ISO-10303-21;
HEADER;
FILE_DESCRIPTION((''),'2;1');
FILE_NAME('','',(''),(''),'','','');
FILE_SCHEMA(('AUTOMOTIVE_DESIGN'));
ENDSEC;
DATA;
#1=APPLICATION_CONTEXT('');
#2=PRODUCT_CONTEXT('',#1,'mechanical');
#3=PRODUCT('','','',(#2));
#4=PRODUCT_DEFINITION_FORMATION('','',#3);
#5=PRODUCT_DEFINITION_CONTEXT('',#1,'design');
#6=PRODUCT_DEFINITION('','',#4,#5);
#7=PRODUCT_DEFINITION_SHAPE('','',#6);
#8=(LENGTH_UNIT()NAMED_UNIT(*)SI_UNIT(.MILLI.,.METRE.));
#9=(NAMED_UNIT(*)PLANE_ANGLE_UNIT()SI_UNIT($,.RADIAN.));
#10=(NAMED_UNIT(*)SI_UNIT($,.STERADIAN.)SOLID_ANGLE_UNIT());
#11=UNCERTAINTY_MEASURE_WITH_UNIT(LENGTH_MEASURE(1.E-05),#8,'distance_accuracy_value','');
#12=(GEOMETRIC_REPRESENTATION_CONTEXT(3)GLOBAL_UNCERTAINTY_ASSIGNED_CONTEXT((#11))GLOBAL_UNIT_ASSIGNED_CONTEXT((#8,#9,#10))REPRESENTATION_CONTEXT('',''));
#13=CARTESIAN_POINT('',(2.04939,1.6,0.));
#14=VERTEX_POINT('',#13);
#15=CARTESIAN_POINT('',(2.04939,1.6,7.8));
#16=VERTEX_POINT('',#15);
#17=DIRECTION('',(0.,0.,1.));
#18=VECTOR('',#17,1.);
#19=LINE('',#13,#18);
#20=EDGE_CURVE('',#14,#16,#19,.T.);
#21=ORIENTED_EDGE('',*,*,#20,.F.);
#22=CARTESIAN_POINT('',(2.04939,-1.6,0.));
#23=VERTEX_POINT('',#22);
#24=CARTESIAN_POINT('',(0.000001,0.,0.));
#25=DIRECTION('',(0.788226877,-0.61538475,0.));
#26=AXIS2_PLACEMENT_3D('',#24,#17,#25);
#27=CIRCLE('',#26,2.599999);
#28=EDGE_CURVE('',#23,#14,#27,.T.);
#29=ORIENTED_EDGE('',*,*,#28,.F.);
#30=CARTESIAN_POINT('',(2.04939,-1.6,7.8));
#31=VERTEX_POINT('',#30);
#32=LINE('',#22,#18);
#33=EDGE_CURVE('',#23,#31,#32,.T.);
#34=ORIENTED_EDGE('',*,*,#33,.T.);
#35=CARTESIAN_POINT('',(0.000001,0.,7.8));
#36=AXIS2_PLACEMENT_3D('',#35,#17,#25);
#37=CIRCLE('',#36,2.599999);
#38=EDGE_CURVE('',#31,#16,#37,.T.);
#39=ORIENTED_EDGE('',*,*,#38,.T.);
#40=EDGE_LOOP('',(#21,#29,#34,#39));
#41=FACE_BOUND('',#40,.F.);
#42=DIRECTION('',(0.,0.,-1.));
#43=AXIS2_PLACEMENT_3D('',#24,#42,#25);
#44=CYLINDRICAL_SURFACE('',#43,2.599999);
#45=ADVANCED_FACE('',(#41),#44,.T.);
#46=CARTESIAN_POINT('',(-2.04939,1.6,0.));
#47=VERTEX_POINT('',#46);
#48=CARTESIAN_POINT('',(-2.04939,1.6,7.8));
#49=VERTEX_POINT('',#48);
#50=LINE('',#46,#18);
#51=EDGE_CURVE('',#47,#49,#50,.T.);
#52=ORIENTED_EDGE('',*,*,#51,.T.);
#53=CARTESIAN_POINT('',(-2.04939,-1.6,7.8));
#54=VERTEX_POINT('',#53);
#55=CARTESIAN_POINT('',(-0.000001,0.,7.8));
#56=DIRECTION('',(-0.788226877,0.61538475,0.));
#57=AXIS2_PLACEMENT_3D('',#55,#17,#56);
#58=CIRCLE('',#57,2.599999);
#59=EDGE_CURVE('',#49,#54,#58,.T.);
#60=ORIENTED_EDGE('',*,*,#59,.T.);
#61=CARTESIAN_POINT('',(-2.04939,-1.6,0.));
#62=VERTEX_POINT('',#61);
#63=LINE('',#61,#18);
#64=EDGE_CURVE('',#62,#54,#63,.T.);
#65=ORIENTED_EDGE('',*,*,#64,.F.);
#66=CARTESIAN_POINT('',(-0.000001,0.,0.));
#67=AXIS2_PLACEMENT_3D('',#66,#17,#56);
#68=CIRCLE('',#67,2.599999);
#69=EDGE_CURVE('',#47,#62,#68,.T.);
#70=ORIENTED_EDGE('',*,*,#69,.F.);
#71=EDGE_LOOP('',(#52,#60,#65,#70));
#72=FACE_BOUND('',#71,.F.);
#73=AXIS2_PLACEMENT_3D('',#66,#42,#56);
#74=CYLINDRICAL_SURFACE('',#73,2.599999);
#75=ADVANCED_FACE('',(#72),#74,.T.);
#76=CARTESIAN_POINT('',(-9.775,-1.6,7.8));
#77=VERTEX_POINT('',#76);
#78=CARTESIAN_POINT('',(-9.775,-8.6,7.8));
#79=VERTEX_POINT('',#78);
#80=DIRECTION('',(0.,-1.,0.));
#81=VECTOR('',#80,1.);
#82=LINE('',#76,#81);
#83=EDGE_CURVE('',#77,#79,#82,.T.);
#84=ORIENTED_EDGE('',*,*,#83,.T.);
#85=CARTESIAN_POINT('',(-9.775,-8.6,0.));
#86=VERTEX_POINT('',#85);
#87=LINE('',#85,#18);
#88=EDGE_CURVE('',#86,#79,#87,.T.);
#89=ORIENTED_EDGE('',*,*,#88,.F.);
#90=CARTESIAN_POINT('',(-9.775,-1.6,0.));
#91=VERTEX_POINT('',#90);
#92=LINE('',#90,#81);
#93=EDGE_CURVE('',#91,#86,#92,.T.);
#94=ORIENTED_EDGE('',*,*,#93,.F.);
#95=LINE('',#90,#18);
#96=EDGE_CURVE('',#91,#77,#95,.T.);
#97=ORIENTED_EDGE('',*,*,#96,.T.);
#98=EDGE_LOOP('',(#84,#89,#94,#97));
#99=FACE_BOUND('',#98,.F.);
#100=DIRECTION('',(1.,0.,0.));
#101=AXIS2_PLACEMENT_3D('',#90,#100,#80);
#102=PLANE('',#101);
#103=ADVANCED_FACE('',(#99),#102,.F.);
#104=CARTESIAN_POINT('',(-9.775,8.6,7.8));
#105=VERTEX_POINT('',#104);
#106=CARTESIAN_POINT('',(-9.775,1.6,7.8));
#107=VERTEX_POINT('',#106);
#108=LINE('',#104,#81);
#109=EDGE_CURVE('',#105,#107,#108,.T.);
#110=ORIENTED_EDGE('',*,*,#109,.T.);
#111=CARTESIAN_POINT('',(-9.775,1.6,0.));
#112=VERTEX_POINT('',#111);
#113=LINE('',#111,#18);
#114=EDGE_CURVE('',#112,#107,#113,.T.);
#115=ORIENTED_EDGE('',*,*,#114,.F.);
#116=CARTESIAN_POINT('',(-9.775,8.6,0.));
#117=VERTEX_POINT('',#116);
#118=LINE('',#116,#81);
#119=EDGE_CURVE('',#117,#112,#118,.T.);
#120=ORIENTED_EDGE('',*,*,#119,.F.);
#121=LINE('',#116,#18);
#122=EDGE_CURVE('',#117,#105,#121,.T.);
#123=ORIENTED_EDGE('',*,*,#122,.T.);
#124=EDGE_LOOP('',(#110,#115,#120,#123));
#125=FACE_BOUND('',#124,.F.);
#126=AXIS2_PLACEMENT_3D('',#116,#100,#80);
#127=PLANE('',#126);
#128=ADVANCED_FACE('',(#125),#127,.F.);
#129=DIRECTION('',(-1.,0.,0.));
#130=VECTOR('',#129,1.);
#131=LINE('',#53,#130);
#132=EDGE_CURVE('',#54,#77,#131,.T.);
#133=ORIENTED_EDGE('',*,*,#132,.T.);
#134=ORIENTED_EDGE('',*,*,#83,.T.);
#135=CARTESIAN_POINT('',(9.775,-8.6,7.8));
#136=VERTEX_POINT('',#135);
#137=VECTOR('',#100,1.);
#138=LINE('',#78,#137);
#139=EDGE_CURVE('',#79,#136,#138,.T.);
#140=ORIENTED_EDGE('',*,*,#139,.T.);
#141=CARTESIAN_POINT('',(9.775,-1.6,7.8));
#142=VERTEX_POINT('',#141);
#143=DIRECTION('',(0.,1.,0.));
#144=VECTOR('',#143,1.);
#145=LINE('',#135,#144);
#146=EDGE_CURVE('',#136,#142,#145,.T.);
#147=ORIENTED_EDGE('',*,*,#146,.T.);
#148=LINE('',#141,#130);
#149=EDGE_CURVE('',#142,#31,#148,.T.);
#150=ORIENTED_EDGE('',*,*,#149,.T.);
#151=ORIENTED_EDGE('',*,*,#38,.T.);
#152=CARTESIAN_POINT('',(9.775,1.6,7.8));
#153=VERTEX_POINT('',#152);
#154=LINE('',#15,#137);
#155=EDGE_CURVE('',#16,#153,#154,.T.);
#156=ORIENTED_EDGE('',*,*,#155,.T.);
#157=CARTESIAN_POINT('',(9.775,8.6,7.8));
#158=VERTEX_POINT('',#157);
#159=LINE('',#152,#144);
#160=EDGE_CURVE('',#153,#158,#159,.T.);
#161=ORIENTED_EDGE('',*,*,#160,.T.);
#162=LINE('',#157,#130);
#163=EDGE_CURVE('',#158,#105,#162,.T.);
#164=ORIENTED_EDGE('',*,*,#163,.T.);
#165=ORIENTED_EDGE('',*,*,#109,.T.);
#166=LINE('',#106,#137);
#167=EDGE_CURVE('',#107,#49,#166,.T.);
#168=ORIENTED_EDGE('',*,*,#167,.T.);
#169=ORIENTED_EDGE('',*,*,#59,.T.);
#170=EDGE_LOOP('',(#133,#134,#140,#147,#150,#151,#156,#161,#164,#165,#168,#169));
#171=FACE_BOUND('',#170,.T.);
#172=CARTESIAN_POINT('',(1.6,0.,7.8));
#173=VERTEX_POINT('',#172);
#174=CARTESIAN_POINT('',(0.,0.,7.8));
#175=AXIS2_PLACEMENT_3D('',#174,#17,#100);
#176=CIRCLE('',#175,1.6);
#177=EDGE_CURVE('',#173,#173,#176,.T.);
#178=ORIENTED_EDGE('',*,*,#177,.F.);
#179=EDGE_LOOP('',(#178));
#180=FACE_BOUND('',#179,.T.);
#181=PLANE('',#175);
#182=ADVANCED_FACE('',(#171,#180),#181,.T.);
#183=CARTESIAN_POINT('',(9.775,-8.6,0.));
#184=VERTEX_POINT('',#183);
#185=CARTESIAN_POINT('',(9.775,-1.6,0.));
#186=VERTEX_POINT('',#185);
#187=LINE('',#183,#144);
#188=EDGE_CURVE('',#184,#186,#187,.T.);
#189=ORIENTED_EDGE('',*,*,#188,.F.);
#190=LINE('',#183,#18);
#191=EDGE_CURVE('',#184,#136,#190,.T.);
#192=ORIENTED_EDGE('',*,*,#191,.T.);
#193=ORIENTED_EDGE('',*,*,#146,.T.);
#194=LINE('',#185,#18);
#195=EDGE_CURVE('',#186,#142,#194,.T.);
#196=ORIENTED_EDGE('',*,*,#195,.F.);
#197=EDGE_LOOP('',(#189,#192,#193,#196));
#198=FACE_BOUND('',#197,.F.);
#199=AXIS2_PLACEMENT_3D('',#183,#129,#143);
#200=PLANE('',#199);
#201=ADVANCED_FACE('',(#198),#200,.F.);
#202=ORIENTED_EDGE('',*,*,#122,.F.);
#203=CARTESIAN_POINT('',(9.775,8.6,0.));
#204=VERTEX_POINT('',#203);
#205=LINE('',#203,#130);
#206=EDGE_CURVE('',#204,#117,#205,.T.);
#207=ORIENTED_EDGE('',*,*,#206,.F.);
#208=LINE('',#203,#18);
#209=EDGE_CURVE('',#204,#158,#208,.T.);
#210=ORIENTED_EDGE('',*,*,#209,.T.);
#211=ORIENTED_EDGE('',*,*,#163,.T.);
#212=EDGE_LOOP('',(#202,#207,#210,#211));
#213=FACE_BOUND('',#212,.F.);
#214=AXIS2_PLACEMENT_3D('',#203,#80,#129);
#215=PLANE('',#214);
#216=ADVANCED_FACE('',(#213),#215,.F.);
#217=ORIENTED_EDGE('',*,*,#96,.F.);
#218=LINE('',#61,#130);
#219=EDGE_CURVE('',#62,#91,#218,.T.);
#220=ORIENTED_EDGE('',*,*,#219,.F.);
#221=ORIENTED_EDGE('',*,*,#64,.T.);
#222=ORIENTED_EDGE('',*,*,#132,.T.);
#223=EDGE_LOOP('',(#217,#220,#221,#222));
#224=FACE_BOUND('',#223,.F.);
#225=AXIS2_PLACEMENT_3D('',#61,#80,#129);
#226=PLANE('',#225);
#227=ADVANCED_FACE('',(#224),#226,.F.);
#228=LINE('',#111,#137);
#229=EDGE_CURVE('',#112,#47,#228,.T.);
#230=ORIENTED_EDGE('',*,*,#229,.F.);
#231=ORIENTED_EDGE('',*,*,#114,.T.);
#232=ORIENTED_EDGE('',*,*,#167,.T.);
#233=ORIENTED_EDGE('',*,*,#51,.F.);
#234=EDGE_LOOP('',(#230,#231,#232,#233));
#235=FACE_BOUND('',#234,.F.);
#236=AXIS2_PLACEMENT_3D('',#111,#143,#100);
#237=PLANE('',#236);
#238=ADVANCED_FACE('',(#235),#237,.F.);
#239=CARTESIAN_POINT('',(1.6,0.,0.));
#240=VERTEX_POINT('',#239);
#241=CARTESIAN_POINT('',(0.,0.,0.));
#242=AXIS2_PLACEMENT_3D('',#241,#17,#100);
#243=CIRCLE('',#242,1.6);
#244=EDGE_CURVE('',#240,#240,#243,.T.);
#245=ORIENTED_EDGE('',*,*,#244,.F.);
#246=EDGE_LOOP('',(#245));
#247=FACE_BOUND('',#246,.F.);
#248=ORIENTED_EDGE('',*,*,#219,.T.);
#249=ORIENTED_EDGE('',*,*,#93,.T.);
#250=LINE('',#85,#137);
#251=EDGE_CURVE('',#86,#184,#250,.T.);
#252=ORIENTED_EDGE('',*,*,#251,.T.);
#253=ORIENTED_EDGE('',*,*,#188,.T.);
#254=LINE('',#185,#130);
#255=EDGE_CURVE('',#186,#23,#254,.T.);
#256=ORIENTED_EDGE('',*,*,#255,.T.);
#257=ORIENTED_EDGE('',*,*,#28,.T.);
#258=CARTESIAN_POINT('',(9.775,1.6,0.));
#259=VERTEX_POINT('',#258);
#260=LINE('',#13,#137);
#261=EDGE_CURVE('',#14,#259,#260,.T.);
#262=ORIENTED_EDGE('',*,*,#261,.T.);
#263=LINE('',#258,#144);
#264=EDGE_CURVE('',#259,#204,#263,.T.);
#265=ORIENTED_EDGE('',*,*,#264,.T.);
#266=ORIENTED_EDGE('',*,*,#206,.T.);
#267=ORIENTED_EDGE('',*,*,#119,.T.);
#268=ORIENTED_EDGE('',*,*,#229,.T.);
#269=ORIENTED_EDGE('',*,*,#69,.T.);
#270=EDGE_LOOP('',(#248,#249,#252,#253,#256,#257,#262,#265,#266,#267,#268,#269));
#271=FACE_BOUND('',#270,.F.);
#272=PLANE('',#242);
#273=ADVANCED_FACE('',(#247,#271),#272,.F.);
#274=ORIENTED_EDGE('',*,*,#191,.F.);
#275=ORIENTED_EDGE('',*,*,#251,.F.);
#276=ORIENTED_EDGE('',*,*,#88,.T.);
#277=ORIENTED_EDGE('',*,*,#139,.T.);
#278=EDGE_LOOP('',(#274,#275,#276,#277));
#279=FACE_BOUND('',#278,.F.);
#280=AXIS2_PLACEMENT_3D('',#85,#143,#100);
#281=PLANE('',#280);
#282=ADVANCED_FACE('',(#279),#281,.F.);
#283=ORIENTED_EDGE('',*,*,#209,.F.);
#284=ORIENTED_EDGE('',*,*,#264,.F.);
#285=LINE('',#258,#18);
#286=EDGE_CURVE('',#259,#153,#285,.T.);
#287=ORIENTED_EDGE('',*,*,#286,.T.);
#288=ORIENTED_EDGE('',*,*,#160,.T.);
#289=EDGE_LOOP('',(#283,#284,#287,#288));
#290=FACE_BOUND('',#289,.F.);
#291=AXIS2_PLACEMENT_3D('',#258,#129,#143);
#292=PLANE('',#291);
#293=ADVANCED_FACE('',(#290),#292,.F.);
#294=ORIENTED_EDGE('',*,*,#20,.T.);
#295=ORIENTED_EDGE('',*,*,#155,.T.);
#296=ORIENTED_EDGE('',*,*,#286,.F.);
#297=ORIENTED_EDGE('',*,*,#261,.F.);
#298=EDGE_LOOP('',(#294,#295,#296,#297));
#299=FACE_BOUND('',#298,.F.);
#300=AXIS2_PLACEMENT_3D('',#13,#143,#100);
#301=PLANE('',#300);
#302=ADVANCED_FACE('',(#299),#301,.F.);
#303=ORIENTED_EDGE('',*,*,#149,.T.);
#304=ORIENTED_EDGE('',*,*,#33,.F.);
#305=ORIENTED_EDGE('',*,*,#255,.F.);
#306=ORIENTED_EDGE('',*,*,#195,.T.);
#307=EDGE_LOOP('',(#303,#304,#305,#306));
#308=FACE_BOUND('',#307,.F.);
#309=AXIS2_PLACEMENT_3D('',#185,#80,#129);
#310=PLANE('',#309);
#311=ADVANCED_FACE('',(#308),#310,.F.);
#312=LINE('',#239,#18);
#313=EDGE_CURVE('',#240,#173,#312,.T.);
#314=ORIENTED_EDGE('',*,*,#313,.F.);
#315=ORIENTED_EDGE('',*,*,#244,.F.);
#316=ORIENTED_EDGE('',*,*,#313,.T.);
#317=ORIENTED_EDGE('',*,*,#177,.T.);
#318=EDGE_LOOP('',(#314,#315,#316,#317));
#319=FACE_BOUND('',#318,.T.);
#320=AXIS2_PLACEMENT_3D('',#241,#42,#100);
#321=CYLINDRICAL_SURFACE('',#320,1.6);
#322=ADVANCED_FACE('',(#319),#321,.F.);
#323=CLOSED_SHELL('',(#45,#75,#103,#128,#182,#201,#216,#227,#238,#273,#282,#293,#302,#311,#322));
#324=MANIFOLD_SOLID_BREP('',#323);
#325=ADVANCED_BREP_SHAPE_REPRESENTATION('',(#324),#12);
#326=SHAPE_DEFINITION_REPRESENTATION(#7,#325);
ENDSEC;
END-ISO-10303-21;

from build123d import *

# Parameters (mm, degrees)
F0_R     = 1.6
F1_DEPTH = 7.8


with BuildPart() as f1:
    # F0 (on Top) → F1 (new body)
    with BuildSketch(Plane.XY):
        with BuildLine():
            Line((9.775, 1.6), (9.775, 8.6))
            Line((9.775, 8.6), (-9.775, 8.6))
            Line((-9.775, 8.6), (-9.775, 1.6))
            Line((-9.775, 1.6), (-2.04939, 1.6))
            ThreePointArc((-2.04939, 1.6), (-2.6, 0), (-2.04939, -1.6))
            Line((-2.04939, -1.6), (-9.775, -1.6))
            Line((-9.775, -1.6), (-9.775, -8.6))
            Line((-9.775, -8.6), (9.775, -8.6))
            Line((9.775, -8.6), (9.775, -1.6))
            Line((9.775, -1.6), (2.04939, -1.6))
            ThreePointArc((2.04939, -1.6), (2.6, 0), (2.04939, 1.6))
            Line((2.04939, 1.6), (9.775, 1.6))
        make_face()
        Circle(F0_R, mode=Mode.SUBTRACT)
    extrude(amount=F1_DEPTH)


solid = f1.part
